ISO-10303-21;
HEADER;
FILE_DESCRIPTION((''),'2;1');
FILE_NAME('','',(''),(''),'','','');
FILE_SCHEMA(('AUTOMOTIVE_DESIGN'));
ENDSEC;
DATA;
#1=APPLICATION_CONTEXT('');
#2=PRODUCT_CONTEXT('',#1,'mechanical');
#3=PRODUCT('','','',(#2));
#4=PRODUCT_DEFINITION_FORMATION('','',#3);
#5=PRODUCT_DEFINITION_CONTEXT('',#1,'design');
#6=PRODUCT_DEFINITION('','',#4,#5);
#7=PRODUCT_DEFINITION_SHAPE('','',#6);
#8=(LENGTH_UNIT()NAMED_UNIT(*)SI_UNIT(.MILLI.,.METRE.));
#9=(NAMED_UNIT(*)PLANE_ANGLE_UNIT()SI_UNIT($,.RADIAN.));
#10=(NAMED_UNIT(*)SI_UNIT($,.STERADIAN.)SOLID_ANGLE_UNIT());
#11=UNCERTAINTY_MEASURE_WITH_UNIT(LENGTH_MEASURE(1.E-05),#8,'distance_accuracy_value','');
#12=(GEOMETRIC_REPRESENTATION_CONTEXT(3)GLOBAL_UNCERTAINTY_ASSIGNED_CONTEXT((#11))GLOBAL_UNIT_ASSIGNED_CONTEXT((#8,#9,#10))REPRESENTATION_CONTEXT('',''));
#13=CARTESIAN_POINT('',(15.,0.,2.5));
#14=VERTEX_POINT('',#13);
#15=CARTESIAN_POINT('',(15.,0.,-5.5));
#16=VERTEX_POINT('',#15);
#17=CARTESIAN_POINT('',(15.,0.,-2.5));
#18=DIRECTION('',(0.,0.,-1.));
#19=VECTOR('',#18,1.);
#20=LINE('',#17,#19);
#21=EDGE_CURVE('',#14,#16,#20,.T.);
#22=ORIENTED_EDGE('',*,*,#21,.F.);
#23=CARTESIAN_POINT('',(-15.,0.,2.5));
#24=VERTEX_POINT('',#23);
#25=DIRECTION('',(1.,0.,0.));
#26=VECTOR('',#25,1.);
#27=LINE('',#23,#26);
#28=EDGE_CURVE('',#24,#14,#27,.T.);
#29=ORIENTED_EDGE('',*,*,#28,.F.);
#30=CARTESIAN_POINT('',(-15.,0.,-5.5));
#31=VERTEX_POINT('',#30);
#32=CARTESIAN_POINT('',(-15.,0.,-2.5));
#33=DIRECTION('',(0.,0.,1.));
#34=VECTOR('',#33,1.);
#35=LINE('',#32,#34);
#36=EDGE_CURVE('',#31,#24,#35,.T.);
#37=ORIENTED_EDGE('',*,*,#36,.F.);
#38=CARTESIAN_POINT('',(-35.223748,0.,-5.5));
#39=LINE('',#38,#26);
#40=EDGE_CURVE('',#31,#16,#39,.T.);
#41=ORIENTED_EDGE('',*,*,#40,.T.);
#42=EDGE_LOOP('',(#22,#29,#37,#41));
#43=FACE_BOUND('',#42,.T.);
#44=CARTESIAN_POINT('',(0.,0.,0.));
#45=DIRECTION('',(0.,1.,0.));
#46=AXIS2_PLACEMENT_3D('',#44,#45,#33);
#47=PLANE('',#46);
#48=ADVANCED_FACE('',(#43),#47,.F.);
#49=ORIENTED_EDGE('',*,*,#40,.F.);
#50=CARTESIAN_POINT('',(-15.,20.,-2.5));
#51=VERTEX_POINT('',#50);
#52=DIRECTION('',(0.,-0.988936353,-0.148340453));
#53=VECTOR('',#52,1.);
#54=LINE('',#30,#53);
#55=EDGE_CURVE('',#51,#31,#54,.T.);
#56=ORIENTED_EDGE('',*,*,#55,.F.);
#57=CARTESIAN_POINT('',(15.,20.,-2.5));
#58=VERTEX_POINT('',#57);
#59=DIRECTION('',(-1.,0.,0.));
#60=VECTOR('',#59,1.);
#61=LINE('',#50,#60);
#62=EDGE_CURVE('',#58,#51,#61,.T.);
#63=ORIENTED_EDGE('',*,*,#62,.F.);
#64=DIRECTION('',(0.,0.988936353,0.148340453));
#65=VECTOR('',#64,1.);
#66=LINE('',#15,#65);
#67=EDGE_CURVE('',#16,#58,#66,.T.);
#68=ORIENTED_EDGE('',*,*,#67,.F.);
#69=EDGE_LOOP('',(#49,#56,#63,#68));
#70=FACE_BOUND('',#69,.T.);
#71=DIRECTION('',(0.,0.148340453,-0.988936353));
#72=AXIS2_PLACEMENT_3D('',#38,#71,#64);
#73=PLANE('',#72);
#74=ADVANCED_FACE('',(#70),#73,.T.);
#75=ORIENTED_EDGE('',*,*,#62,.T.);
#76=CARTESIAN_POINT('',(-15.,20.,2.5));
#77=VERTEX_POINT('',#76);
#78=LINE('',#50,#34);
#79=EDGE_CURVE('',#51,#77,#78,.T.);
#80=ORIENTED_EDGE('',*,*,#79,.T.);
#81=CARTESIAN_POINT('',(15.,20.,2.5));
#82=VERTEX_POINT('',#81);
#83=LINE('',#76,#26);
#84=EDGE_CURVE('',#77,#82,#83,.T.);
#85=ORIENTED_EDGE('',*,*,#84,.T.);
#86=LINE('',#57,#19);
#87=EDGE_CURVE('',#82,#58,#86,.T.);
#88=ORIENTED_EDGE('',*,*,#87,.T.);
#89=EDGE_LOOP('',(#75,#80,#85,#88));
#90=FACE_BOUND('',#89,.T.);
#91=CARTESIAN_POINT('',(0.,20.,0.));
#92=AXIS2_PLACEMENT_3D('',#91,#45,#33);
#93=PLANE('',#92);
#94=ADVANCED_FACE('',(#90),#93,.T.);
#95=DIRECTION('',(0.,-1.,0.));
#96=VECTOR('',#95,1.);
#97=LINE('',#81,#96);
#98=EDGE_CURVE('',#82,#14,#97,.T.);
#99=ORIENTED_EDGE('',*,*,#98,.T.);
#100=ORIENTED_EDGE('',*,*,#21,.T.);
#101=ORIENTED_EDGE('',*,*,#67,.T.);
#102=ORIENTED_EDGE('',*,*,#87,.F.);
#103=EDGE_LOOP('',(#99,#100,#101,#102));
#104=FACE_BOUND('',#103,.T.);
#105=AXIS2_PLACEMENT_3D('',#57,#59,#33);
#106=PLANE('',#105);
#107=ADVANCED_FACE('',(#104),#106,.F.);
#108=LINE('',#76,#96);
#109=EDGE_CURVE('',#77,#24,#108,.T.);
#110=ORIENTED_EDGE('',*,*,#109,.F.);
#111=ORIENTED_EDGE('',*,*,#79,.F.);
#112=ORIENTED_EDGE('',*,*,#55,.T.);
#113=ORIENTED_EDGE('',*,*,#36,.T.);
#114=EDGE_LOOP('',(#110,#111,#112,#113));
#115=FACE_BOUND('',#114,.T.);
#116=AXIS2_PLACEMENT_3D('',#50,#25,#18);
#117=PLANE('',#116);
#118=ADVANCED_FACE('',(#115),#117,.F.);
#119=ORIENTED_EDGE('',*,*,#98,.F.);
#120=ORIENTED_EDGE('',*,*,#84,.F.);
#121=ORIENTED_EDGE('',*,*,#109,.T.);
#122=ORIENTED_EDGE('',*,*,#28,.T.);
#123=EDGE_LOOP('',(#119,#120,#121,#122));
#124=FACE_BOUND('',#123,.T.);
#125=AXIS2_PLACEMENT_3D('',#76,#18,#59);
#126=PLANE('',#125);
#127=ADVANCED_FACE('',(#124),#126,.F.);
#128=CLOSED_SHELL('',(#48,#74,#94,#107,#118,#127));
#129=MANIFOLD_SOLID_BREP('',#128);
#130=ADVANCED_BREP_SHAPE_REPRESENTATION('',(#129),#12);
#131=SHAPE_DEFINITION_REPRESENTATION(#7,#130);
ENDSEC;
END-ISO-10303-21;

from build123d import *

# Parameters (mm, degrees)
SKETCH1_W           = 30
SKETCH1_H           = 5
BOSS_EXTRUDE1_DEPTH = 20
BOSS_EXTRUDE2_DEPTH = 30


with BuildPart() as part:
    # Sketch1 → Boss-Extrude1 (new body)
    with BuildSketch(Plane(origin=(0, 0, 0), x_dir=(1, 0, 0), z_dir=(0, 1, 0))):
        Rectangle(SKETCH1_W, SKETCH1_H)
    extrude(amount=BOSS_EXTRUDE1_DEPTH)

    # Sketch2 → Boss-Extrude2 (add)
    with BuildSketch(Plane(origin=(15, 0, 0), x_dir=(0, 0, -1), z_dir=(1, 0, 0))):
        Polygon((2.5, 0), (5.5, 0), (2.5, 20), align=None)
    extrude(amount=-BOSS_EXTRUDE2_DEPTH)


solid = part.part
